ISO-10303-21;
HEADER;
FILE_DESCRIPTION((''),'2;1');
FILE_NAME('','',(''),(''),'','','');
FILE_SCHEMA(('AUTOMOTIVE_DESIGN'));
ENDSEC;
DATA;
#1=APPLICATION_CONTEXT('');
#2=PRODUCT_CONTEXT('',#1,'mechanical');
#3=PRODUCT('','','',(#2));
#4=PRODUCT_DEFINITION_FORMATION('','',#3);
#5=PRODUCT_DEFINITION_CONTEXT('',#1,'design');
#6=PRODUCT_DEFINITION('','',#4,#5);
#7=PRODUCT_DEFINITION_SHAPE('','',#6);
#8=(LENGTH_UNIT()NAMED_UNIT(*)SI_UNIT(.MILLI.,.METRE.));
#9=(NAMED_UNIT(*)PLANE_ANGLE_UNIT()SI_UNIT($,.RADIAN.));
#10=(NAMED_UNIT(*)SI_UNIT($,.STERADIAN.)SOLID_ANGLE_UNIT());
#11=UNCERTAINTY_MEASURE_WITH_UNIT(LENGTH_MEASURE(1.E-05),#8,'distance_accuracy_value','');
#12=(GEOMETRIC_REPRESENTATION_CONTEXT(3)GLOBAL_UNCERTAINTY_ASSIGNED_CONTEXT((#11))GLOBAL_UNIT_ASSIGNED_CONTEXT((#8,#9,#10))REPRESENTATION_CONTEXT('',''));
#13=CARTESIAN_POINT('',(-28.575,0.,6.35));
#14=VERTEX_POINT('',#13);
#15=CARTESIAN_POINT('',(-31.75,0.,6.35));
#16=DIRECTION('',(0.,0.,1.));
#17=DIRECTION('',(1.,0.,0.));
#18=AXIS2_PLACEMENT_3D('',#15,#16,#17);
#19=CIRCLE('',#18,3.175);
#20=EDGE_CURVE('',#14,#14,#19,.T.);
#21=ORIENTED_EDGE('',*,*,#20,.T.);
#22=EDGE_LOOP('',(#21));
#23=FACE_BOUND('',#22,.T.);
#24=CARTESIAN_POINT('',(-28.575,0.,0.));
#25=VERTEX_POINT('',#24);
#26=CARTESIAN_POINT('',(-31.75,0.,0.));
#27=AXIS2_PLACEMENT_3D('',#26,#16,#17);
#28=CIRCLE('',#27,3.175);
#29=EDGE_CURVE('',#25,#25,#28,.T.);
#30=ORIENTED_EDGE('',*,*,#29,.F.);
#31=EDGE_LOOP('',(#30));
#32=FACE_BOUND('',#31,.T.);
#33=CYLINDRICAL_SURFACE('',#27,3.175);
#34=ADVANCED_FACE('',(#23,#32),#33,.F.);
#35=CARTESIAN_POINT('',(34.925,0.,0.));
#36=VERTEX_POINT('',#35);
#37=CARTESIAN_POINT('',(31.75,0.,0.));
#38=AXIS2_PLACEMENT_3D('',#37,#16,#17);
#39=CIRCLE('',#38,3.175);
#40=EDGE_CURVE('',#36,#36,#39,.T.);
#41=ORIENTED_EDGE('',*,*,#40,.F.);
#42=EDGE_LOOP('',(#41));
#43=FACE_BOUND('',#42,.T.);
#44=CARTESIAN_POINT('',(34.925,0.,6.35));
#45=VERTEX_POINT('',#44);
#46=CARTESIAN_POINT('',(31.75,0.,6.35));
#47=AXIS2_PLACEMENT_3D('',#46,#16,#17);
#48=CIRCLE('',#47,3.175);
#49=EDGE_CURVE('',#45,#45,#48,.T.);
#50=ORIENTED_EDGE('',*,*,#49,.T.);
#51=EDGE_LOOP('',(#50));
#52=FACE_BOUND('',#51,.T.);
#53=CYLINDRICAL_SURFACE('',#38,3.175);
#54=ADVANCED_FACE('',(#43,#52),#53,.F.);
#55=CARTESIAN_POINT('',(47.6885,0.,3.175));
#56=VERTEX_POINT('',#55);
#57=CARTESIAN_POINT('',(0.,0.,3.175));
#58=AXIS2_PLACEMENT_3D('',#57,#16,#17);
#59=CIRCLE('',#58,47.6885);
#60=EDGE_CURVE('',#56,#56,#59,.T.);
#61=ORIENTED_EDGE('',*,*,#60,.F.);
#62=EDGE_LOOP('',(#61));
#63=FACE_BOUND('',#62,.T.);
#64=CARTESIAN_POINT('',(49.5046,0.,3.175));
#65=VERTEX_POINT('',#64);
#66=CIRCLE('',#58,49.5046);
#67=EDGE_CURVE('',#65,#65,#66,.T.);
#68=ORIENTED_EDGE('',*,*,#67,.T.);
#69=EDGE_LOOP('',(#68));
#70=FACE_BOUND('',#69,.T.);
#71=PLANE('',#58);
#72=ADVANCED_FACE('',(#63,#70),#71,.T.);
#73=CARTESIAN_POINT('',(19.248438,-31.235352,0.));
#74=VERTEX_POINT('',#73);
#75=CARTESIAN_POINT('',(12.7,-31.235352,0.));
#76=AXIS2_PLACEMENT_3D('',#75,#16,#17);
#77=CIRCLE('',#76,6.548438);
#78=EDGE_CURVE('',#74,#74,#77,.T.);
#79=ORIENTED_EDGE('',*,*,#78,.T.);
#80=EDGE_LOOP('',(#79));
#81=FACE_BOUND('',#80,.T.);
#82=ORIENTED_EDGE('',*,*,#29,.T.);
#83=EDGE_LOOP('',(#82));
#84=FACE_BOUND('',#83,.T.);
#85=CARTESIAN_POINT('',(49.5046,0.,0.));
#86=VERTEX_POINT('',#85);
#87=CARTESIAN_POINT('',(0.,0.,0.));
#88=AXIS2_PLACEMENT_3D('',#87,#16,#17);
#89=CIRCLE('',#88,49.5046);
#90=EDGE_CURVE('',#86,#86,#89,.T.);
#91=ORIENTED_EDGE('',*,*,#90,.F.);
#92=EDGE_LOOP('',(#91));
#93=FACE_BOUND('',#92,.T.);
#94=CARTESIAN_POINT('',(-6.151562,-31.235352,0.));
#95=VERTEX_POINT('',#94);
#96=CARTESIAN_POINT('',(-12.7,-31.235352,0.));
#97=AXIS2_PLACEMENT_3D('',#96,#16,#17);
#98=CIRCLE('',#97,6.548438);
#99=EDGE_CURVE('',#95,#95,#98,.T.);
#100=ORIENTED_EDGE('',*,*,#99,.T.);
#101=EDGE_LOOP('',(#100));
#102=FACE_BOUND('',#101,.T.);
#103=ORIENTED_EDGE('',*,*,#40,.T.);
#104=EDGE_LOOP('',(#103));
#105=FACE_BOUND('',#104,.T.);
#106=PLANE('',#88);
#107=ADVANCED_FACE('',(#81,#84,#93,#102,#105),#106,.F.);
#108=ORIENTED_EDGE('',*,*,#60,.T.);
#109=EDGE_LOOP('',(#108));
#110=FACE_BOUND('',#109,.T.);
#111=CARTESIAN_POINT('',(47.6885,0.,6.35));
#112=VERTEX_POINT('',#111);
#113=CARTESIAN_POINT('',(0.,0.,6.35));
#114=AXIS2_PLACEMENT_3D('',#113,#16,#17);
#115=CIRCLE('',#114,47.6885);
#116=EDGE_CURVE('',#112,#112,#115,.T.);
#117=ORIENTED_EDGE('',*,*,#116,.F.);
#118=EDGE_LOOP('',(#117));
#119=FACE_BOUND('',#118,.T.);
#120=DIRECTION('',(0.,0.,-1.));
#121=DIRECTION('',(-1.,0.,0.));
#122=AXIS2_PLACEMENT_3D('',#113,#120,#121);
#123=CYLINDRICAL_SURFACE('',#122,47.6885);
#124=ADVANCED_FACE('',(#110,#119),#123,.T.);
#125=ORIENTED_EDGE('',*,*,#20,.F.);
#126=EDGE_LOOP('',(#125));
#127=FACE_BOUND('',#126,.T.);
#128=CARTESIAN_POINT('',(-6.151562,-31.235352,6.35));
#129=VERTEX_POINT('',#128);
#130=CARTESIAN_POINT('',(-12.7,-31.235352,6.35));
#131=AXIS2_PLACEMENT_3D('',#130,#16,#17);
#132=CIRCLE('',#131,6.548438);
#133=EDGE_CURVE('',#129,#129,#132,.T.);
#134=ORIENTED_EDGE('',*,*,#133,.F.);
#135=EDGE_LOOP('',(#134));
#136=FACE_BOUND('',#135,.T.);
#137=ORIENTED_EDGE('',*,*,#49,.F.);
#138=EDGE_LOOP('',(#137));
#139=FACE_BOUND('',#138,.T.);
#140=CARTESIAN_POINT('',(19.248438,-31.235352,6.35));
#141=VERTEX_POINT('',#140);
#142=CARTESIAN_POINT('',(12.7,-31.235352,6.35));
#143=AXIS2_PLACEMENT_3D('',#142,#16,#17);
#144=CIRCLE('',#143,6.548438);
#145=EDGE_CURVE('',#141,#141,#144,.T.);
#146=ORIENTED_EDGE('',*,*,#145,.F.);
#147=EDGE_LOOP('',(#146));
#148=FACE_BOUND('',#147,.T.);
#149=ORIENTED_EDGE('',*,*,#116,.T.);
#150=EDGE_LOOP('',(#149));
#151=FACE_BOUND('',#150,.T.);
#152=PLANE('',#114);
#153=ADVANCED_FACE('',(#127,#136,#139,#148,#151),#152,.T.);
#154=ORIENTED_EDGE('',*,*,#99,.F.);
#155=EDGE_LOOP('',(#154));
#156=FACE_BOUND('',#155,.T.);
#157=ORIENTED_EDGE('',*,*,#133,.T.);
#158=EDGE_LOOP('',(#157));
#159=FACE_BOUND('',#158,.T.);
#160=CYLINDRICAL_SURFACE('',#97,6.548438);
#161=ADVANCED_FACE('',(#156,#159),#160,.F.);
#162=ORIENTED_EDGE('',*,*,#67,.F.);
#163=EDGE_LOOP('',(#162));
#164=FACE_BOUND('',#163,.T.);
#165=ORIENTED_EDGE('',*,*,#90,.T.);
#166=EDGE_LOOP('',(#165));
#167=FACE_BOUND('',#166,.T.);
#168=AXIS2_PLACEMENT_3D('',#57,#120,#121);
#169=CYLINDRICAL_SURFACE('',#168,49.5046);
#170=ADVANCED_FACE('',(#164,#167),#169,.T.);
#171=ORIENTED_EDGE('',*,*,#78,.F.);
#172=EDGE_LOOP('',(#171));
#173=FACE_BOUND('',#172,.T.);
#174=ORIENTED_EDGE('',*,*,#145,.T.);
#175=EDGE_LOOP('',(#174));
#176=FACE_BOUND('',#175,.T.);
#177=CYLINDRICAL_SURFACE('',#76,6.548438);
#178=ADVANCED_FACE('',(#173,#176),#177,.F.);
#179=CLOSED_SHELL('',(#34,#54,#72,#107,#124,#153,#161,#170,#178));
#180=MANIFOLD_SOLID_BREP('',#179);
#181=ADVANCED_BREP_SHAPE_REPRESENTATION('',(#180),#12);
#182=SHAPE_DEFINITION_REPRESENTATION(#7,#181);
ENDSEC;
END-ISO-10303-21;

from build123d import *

# Parameters (mm, degrees)
SKETCH1_R           = 49.5046
BOSS_EXTRUDE1_DEPTH = 3.175
SKETCH2_R           = 47.6885
BOSS_EXTRUDE2_DEPTH = 3.175
SKETCH3_R           = 6.5484375
SKETCH3_R_2         = 3.175
CUT_EXTRUDE1_DEPTH  = 71.297463271


with BuildPart() as part:
    # Sketch1 → Boss-Extrude1 (new body)
    with BuildSketch(Plane.XY):
        Circle(SKETCH1_R)
    extrude(amount=BOSS_EXTRUDE1_DEPTH)

    # Sketch2 → Boss-Extrude2 (add)
    with BuildSketch(Plane.XY.offset(3.175)):
        Circle(SKETCH2_R)
    extrude(amount=BOSS_EXTRUDE2_DEPTH)

    # Sketch3 → Cut-Extrude1 (cut, through all)
    with BuildSketch(Plane.XY.offset(6.35)):
        with Locations((-12.7, -31.235352443)):
            Circle(SKETCH3_R)
        with Locations((12.7, -31.235352443)):
            Circle(SKETCH3_R)
        with Locations((-31.75, 0)):
            Circle(SKETCH3_R_2)
        with Locations((31.75, 0)):
            Circle(SKETCH3_R_2)
    extrude(amount=-CUT_EXTRUDE1_DEPTH, mode=Mode.SUBTRACT)


solid = part.part
